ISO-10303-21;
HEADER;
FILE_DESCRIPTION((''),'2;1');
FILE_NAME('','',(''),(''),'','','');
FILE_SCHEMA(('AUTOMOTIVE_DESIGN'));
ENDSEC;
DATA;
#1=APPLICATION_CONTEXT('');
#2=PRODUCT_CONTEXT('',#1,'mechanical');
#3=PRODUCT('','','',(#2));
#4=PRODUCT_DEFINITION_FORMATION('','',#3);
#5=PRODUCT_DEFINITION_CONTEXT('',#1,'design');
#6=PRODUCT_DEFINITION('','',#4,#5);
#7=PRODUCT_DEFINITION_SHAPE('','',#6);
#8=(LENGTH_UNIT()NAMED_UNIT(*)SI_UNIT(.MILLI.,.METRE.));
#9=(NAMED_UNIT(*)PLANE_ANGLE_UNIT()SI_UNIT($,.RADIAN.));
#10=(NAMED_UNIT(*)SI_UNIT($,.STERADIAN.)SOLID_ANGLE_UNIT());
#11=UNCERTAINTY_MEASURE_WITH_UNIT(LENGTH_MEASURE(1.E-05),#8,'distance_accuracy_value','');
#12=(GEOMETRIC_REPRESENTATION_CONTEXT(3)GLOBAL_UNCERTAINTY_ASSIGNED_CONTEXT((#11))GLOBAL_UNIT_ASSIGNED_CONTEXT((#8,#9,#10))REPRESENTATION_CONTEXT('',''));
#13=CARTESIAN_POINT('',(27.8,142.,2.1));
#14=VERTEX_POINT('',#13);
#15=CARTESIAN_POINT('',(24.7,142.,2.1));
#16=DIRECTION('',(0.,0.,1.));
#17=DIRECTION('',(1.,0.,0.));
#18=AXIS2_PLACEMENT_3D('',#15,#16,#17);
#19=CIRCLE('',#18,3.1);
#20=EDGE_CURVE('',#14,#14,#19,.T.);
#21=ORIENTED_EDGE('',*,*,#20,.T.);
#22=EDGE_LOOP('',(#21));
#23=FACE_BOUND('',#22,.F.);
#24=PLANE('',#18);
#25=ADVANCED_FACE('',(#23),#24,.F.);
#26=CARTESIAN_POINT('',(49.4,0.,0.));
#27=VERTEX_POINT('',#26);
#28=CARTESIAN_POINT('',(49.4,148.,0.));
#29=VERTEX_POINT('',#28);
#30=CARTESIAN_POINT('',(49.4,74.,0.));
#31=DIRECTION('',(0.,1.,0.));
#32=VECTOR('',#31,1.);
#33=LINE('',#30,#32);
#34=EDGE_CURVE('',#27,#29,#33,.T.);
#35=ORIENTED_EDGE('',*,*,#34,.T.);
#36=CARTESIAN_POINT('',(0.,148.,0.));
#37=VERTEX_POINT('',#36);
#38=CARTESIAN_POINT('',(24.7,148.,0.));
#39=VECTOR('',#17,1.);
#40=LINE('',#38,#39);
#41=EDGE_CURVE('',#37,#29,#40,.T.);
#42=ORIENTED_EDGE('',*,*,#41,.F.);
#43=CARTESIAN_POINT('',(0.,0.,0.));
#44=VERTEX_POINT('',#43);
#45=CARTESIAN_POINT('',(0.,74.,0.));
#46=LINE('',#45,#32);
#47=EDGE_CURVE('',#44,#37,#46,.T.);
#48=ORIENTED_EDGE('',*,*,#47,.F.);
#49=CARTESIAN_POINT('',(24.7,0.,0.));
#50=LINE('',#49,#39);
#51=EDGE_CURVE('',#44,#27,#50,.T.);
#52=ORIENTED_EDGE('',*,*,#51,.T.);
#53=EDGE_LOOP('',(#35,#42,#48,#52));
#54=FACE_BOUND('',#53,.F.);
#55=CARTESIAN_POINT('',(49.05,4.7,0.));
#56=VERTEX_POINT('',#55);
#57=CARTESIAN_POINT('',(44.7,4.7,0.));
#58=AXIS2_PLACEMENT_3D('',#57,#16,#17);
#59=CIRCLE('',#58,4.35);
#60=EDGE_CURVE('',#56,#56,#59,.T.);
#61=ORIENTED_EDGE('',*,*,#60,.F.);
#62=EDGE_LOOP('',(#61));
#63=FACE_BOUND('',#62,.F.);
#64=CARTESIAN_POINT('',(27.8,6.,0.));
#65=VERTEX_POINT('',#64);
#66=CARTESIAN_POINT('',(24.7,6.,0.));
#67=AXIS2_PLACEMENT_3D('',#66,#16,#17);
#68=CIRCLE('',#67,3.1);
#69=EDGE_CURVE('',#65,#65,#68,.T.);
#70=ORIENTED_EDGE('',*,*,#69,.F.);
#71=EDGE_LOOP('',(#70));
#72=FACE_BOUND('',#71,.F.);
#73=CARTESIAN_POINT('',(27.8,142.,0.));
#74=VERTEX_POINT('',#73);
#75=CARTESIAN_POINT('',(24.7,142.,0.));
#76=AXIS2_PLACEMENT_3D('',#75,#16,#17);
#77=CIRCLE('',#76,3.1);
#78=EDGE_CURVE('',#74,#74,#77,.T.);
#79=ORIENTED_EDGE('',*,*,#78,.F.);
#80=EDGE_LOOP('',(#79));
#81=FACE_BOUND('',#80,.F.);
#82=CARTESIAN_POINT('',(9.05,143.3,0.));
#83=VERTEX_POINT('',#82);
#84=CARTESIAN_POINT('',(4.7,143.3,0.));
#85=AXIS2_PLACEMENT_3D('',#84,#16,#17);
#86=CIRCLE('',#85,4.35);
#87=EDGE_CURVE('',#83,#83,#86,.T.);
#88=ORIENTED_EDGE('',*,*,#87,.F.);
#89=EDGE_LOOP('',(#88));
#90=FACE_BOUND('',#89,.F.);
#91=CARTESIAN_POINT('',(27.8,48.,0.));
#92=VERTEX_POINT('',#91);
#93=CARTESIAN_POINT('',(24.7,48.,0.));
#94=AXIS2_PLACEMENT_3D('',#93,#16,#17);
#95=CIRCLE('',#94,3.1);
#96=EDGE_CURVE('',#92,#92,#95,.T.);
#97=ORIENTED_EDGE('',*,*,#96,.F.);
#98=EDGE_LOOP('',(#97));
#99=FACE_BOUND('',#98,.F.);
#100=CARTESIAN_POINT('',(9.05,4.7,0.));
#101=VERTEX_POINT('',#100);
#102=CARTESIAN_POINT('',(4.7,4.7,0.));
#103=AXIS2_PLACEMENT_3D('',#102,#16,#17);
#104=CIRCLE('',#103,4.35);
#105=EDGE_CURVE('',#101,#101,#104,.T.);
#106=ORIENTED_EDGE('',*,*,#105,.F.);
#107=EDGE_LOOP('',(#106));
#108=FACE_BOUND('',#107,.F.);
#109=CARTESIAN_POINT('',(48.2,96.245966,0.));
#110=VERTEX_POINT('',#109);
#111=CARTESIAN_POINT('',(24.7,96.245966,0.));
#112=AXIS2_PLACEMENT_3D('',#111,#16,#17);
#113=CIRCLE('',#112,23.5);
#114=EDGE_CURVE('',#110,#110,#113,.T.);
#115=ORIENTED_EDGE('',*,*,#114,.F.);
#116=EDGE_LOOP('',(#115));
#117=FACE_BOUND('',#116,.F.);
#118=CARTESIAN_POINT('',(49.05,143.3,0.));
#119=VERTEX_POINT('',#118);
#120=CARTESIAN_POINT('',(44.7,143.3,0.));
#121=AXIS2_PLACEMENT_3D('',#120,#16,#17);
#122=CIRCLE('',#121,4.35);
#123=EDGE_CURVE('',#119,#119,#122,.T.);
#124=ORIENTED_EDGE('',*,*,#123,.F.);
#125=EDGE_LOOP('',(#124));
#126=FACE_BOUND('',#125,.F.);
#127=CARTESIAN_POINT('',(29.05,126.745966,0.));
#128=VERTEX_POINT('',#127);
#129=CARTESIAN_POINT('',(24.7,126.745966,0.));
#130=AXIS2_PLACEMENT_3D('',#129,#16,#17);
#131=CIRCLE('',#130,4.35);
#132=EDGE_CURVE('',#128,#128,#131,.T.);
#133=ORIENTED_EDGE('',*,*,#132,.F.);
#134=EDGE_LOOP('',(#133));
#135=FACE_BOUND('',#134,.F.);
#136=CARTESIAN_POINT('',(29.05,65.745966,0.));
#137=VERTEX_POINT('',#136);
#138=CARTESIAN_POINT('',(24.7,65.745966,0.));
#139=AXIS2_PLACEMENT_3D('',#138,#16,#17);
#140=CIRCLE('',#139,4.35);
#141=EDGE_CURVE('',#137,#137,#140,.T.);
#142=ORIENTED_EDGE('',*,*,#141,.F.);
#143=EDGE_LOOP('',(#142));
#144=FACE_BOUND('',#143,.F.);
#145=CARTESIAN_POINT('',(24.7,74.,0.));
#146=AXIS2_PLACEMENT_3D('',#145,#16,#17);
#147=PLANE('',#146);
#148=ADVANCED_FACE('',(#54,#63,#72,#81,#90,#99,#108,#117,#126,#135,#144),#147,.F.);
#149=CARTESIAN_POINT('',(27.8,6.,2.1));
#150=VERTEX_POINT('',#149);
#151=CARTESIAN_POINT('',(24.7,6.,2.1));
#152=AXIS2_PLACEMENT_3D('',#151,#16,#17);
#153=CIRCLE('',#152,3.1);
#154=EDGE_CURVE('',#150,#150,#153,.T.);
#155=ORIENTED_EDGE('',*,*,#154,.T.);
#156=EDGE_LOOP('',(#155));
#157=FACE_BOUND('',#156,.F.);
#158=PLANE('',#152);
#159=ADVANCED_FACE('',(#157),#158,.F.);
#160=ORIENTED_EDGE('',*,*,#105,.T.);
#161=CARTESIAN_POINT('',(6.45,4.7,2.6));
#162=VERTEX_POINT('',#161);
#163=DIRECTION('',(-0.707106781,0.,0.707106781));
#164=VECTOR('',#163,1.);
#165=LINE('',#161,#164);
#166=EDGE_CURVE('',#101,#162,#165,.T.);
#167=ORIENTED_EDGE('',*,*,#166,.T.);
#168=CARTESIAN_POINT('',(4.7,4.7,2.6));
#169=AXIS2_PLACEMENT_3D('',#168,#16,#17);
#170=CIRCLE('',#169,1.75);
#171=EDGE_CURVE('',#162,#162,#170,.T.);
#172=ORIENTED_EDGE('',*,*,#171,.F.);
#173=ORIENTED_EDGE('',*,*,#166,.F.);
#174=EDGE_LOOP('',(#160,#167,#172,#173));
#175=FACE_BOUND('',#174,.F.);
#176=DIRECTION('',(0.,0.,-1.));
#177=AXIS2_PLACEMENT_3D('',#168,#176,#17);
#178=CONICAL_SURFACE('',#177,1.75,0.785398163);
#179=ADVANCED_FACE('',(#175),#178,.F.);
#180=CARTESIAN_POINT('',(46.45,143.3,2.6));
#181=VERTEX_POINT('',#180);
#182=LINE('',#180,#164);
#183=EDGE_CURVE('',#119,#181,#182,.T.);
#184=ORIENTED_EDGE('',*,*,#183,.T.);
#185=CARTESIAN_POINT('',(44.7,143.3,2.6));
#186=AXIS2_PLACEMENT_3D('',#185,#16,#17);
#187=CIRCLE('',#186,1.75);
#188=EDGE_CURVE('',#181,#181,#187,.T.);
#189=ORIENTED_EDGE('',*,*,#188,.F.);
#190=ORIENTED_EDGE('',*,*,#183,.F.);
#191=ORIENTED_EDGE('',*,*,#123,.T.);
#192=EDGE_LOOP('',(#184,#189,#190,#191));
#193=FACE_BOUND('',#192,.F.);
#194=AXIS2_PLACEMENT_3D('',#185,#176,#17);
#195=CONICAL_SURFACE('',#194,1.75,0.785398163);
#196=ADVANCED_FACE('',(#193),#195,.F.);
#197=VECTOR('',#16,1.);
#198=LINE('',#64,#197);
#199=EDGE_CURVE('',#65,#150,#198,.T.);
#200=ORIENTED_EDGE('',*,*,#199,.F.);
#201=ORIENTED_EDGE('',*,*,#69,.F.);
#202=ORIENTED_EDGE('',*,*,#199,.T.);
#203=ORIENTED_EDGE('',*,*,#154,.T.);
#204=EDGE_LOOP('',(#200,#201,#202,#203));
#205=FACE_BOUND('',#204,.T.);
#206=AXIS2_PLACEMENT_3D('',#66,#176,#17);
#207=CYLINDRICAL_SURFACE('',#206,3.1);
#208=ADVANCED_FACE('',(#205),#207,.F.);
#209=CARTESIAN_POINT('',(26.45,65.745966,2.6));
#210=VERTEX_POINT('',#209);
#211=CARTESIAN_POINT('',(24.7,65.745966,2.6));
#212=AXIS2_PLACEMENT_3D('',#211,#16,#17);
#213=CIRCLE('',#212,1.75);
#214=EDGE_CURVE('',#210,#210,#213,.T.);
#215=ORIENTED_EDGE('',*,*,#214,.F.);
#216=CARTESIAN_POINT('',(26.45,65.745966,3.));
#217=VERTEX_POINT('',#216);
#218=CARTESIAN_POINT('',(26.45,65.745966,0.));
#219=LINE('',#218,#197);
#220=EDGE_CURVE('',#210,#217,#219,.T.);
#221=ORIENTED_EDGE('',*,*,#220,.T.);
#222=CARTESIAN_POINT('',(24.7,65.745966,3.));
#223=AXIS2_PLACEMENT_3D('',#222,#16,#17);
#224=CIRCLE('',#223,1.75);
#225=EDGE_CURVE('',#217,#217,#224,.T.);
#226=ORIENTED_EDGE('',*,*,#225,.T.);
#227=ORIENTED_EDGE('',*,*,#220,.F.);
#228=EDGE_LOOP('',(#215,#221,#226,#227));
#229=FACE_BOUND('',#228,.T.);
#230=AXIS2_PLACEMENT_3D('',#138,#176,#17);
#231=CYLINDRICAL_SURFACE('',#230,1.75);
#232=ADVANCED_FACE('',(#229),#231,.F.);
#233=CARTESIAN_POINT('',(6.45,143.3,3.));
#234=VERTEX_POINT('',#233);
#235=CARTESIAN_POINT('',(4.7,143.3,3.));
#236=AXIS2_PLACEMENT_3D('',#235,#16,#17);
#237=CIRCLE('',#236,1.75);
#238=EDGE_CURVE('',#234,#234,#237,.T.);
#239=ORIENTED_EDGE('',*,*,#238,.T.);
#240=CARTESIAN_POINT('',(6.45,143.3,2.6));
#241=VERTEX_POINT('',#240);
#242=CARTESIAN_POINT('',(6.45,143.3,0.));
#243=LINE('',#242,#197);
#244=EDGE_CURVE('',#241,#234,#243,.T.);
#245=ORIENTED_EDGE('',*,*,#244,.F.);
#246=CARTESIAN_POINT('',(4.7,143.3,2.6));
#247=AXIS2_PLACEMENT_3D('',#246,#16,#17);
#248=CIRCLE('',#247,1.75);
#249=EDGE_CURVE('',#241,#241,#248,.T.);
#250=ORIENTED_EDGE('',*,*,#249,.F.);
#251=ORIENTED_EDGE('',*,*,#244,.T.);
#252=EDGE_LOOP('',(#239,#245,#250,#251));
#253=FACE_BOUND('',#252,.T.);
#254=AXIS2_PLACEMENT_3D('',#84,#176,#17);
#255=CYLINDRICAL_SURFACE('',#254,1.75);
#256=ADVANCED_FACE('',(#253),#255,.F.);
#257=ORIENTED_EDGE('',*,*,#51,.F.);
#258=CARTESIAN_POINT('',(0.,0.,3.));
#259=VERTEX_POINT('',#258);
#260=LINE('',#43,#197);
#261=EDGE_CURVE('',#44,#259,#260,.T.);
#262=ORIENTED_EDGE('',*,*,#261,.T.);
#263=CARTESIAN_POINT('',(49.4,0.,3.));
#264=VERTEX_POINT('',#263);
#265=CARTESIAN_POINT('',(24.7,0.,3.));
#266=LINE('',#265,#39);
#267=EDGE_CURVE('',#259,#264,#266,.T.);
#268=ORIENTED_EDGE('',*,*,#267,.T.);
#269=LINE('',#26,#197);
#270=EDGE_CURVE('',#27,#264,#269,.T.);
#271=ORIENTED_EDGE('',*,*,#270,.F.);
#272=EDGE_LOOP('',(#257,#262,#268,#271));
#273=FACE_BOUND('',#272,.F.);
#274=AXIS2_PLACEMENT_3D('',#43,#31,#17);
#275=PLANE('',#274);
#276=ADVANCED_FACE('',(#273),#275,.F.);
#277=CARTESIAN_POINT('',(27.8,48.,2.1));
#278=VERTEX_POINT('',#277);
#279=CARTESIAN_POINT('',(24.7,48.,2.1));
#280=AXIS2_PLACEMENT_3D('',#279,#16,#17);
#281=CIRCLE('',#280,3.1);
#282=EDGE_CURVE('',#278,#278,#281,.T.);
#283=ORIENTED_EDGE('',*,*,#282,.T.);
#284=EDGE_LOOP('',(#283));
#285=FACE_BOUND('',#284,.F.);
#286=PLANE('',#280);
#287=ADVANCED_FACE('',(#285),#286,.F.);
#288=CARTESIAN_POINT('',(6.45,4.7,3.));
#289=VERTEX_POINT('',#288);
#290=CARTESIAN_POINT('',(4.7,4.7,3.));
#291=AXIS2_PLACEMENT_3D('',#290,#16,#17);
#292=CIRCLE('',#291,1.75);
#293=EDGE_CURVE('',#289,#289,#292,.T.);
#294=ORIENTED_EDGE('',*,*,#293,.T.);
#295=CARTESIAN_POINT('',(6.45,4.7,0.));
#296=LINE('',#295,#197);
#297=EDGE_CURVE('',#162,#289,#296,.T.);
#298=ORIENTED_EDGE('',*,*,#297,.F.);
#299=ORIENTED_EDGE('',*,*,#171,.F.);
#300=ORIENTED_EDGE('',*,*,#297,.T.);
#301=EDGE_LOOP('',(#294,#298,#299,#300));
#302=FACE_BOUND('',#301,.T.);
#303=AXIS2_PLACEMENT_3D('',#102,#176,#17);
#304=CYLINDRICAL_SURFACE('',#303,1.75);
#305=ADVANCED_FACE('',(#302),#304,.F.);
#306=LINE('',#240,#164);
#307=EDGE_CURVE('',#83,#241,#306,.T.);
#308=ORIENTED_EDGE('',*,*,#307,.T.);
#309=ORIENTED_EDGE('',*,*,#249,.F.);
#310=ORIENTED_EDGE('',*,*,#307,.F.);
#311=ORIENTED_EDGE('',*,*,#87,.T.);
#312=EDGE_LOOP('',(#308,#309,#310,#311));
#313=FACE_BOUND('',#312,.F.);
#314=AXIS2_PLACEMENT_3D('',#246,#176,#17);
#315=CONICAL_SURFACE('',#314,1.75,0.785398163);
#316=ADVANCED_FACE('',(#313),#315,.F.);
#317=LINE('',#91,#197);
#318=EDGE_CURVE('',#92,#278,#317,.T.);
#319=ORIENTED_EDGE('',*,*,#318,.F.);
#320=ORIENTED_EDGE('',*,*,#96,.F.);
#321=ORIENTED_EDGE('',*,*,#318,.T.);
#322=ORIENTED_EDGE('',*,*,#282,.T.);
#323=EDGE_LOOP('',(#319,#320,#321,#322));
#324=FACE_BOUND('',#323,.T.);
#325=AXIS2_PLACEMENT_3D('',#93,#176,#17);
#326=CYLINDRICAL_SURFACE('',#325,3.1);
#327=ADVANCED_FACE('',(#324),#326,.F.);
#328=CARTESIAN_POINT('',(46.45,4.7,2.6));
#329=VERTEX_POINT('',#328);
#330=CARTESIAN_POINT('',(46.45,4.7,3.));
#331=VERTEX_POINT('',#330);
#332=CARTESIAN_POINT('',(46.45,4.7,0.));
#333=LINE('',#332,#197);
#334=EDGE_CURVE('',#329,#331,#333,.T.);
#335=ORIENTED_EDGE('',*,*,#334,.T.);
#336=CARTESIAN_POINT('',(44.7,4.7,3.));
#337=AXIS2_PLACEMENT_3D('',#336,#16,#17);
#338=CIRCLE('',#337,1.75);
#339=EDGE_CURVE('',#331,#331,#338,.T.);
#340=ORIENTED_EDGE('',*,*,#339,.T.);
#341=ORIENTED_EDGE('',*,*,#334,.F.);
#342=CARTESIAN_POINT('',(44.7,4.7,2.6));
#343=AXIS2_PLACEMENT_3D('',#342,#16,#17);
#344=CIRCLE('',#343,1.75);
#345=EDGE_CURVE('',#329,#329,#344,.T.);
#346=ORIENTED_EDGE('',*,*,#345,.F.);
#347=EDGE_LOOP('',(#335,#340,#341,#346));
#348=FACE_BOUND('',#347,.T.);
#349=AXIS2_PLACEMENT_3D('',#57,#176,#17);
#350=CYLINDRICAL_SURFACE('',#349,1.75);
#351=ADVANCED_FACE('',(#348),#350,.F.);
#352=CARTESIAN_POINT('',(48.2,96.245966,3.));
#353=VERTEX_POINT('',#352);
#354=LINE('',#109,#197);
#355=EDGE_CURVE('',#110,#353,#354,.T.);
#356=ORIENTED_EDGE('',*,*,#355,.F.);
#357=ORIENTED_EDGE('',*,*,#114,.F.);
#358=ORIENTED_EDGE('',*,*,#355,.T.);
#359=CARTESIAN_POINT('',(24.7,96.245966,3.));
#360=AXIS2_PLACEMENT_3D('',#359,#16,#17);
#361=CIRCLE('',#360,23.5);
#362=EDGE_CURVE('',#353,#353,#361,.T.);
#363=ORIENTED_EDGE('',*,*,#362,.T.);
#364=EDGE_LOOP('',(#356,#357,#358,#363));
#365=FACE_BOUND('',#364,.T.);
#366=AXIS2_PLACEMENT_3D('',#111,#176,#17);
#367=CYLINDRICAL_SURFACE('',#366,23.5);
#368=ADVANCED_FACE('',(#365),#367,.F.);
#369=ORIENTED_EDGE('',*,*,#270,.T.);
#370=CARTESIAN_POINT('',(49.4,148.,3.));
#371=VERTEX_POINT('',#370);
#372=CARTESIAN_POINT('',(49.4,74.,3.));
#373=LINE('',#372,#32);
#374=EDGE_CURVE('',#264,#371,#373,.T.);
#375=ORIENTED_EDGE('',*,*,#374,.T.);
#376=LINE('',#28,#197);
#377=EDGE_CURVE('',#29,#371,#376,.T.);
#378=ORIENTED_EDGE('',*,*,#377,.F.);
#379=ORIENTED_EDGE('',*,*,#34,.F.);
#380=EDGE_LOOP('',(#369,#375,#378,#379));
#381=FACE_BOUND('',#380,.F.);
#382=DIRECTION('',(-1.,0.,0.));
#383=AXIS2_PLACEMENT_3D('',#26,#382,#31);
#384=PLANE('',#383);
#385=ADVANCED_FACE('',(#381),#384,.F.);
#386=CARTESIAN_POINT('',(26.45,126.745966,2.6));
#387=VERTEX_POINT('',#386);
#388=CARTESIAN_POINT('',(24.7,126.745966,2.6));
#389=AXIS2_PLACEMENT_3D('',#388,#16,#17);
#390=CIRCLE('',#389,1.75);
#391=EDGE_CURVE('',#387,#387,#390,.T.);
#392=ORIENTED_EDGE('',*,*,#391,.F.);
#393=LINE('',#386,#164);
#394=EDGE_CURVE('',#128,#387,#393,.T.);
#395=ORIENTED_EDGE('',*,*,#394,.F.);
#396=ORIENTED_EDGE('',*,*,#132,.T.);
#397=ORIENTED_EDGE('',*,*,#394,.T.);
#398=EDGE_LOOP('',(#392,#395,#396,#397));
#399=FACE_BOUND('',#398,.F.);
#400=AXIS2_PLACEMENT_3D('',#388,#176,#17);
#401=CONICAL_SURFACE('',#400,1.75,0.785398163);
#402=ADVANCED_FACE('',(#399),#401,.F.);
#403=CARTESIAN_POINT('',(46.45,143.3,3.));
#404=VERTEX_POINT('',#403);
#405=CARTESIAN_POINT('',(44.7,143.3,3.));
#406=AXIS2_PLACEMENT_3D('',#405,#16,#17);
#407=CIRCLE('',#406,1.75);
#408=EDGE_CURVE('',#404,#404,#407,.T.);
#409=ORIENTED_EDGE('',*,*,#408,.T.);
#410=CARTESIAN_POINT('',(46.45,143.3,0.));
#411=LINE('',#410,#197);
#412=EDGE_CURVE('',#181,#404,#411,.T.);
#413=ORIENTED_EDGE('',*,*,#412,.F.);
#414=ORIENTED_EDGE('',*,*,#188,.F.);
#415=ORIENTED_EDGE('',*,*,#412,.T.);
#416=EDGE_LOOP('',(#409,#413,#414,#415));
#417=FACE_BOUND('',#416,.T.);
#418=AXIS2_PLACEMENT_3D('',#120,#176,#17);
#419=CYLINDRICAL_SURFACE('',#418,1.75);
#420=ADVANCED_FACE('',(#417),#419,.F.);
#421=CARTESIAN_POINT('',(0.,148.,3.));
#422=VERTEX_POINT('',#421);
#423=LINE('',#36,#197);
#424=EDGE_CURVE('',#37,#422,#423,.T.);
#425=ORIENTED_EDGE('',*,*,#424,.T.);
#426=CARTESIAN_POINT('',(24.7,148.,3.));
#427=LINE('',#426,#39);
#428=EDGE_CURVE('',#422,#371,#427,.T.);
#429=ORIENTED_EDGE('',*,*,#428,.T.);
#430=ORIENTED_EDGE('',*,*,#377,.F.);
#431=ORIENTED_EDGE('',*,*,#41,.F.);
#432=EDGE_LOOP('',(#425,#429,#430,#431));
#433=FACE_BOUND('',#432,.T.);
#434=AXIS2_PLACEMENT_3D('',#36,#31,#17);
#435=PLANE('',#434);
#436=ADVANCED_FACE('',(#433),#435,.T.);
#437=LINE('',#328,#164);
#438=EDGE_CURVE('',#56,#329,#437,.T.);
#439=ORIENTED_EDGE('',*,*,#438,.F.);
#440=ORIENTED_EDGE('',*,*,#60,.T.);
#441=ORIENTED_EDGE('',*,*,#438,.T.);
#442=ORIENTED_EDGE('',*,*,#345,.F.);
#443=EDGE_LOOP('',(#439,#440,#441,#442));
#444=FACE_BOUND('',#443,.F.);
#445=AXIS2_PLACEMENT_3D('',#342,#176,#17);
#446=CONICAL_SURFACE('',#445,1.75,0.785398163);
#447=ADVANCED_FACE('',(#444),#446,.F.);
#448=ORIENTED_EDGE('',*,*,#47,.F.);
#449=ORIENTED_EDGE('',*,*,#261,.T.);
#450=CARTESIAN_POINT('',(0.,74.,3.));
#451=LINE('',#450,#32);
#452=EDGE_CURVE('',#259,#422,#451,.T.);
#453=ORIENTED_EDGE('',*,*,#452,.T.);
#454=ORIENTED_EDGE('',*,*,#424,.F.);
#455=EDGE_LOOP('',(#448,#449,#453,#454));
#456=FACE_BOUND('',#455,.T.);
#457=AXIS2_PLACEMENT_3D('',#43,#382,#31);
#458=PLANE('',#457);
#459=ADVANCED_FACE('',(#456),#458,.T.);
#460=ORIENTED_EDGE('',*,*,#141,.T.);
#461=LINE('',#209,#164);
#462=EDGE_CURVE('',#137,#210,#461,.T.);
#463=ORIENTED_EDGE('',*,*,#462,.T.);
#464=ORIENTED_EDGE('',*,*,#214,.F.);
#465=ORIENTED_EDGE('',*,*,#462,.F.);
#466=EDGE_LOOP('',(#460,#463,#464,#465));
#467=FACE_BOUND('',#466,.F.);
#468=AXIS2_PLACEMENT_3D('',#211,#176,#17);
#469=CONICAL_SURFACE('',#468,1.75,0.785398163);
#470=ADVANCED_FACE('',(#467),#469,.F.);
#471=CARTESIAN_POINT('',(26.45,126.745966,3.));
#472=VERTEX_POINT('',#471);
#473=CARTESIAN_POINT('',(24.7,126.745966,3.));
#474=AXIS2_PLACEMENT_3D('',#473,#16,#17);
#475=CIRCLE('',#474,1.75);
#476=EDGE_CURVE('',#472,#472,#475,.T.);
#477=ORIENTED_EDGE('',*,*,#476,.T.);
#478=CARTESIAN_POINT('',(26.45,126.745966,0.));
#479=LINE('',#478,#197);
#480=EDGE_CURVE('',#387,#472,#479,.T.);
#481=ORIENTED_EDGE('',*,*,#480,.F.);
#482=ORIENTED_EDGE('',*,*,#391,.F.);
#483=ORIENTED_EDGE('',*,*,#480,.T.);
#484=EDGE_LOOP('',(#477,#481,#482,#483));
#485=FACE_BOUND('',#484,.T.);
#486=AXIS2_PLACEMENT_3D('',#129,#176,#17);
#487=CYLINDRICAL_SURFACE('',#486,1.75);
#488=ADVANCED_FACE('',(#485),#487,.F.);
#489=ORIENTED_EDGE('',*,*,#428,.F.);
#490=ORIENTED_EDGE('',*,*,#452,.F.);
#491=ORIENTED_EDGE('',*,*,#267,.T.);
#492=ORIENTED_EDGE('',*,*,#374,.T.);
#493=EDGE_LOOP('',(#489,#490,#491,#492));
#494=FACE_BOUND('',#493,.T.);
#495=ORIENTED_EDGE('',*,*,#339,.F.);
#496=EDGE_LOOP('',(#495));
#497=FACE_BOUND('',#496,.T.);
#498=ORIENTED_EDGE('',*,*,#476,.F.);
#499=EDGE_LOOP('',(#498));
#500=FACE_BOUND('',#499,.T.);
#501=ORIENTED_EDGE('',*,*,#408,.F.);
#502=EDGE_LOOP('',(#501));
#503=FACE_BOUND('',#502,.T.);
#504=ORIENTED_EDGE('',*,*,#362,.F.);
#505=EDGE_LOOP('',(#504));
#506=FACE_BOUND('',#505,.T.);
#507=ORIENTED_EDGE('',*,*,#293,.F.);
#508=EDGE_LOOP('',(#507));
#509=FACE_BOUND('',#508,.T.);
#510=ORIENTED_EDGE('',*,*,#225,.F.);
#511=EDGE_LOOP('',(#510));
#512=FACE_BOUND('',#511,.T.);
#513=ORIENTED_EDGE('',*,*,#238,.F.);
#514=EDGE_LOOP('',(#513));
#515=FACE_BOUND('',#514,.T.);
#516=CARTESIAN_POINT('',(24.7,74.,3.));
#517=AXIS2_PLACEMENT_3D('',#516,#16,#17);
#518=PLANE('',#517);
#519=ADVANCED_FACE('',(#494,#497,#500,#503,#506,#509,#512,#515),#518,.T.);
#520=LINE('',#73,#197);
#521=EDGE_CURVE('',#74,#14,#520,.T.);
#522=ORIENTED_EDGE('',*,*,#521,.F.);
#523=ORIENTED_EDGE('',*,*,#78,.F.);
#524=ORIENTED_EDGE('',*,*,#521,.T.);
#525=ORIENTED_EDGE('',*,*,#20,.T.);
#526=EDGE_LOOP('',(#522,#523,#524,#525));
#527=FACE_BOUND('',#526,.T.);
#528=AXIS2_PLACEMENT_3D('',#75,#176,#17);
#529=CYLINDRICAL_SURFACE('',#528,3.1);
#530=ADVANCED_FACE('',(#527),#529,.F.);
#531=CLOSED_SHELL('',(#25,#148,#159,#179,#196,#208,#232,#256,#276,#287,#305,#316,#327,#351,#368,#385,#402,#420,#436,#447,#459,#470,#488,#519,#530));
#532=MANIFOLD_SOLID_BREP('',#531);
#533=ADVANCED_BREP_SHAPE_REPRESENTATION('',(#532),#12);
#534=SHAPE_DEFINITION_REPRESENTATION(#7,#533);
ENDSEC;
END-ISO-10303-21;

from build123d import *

# Parameters (mm, degrees)
SKETCH_W     = 49.4
SKETCH_H     = 148
SKETCH_R     = 1.75
SKETCH_R_2   = 23.5
PAD_DEPTH    = 3
SKETCH001_R  = 3.1
POCKET_DEPTH = 2.1
CHAMFER_SIZE = 2.6


with BuildPart() as part:
    # Sketch → Pad (new body)
    with BuildSketch(Plane.XY):
        with Locations((24.7, 74)):
            Rectangle(SKETCH_W, SKETCH_H)
        with Locations((24.7, 126.745966)):
            Circle(SKETCH_R, mode=Mode.SUBTRACT)
        with Locations((24.7, 65.745966)):
            Circle(SKETCH_R, mode=Mode.SUBTRACT)
        with Locations((24.7, 96.245966)):
            Circle(SKETCH_R_2, mode=Mode.SUBTRACT)
        with Locations((4.7, 143.3)):
            Circle(SKETCH_R, mode=Mode.SUBTRACT)
        with Locations((44.7, 143.3)):
            Circle(SKETCH_R, mode=Mode.SUBTRACT)
        with Locations((4.7, 4.7)):
            Circle(SKETCH_R, mode=Mode.SUBTRACT)
        with Locations((44.7, 4.7)):
            Circle(SKETCH_R, mode=Mode.SUBTRACT)
    extrude(amount=PAD_DEPTH)

    # Sketch001 → Pocket (cut)
    with BuildSketch(Plane.XY):
        with Locations((24.7, 142)):
            Circle(SKETCH001_R)
        with Locations((24.7, 48)):
            Circle(SKETCH001_R)
        with Locations((24.7, 6)):
            Circle(SKETCH001_R)
    extrude(amount=POCKET_DEPTH, mode=Mode.SUBTRACT)

    # Chamfer
    chamfer_edges = [part.edges().sort_by_distance(p)[0] for p in [
        (42.95, 143.3, 0),
        (2.95, 143.3, 0),
        (2.95, 4.7, 0),
        (22.95, 65.745966, 0),
        (22.95, 126.745966, 0),
        (42.95, 4.7, 0),
    ]]
    chamfer(chamfer_edges, length=CHAMFER_SIZE)


solid = part.part
